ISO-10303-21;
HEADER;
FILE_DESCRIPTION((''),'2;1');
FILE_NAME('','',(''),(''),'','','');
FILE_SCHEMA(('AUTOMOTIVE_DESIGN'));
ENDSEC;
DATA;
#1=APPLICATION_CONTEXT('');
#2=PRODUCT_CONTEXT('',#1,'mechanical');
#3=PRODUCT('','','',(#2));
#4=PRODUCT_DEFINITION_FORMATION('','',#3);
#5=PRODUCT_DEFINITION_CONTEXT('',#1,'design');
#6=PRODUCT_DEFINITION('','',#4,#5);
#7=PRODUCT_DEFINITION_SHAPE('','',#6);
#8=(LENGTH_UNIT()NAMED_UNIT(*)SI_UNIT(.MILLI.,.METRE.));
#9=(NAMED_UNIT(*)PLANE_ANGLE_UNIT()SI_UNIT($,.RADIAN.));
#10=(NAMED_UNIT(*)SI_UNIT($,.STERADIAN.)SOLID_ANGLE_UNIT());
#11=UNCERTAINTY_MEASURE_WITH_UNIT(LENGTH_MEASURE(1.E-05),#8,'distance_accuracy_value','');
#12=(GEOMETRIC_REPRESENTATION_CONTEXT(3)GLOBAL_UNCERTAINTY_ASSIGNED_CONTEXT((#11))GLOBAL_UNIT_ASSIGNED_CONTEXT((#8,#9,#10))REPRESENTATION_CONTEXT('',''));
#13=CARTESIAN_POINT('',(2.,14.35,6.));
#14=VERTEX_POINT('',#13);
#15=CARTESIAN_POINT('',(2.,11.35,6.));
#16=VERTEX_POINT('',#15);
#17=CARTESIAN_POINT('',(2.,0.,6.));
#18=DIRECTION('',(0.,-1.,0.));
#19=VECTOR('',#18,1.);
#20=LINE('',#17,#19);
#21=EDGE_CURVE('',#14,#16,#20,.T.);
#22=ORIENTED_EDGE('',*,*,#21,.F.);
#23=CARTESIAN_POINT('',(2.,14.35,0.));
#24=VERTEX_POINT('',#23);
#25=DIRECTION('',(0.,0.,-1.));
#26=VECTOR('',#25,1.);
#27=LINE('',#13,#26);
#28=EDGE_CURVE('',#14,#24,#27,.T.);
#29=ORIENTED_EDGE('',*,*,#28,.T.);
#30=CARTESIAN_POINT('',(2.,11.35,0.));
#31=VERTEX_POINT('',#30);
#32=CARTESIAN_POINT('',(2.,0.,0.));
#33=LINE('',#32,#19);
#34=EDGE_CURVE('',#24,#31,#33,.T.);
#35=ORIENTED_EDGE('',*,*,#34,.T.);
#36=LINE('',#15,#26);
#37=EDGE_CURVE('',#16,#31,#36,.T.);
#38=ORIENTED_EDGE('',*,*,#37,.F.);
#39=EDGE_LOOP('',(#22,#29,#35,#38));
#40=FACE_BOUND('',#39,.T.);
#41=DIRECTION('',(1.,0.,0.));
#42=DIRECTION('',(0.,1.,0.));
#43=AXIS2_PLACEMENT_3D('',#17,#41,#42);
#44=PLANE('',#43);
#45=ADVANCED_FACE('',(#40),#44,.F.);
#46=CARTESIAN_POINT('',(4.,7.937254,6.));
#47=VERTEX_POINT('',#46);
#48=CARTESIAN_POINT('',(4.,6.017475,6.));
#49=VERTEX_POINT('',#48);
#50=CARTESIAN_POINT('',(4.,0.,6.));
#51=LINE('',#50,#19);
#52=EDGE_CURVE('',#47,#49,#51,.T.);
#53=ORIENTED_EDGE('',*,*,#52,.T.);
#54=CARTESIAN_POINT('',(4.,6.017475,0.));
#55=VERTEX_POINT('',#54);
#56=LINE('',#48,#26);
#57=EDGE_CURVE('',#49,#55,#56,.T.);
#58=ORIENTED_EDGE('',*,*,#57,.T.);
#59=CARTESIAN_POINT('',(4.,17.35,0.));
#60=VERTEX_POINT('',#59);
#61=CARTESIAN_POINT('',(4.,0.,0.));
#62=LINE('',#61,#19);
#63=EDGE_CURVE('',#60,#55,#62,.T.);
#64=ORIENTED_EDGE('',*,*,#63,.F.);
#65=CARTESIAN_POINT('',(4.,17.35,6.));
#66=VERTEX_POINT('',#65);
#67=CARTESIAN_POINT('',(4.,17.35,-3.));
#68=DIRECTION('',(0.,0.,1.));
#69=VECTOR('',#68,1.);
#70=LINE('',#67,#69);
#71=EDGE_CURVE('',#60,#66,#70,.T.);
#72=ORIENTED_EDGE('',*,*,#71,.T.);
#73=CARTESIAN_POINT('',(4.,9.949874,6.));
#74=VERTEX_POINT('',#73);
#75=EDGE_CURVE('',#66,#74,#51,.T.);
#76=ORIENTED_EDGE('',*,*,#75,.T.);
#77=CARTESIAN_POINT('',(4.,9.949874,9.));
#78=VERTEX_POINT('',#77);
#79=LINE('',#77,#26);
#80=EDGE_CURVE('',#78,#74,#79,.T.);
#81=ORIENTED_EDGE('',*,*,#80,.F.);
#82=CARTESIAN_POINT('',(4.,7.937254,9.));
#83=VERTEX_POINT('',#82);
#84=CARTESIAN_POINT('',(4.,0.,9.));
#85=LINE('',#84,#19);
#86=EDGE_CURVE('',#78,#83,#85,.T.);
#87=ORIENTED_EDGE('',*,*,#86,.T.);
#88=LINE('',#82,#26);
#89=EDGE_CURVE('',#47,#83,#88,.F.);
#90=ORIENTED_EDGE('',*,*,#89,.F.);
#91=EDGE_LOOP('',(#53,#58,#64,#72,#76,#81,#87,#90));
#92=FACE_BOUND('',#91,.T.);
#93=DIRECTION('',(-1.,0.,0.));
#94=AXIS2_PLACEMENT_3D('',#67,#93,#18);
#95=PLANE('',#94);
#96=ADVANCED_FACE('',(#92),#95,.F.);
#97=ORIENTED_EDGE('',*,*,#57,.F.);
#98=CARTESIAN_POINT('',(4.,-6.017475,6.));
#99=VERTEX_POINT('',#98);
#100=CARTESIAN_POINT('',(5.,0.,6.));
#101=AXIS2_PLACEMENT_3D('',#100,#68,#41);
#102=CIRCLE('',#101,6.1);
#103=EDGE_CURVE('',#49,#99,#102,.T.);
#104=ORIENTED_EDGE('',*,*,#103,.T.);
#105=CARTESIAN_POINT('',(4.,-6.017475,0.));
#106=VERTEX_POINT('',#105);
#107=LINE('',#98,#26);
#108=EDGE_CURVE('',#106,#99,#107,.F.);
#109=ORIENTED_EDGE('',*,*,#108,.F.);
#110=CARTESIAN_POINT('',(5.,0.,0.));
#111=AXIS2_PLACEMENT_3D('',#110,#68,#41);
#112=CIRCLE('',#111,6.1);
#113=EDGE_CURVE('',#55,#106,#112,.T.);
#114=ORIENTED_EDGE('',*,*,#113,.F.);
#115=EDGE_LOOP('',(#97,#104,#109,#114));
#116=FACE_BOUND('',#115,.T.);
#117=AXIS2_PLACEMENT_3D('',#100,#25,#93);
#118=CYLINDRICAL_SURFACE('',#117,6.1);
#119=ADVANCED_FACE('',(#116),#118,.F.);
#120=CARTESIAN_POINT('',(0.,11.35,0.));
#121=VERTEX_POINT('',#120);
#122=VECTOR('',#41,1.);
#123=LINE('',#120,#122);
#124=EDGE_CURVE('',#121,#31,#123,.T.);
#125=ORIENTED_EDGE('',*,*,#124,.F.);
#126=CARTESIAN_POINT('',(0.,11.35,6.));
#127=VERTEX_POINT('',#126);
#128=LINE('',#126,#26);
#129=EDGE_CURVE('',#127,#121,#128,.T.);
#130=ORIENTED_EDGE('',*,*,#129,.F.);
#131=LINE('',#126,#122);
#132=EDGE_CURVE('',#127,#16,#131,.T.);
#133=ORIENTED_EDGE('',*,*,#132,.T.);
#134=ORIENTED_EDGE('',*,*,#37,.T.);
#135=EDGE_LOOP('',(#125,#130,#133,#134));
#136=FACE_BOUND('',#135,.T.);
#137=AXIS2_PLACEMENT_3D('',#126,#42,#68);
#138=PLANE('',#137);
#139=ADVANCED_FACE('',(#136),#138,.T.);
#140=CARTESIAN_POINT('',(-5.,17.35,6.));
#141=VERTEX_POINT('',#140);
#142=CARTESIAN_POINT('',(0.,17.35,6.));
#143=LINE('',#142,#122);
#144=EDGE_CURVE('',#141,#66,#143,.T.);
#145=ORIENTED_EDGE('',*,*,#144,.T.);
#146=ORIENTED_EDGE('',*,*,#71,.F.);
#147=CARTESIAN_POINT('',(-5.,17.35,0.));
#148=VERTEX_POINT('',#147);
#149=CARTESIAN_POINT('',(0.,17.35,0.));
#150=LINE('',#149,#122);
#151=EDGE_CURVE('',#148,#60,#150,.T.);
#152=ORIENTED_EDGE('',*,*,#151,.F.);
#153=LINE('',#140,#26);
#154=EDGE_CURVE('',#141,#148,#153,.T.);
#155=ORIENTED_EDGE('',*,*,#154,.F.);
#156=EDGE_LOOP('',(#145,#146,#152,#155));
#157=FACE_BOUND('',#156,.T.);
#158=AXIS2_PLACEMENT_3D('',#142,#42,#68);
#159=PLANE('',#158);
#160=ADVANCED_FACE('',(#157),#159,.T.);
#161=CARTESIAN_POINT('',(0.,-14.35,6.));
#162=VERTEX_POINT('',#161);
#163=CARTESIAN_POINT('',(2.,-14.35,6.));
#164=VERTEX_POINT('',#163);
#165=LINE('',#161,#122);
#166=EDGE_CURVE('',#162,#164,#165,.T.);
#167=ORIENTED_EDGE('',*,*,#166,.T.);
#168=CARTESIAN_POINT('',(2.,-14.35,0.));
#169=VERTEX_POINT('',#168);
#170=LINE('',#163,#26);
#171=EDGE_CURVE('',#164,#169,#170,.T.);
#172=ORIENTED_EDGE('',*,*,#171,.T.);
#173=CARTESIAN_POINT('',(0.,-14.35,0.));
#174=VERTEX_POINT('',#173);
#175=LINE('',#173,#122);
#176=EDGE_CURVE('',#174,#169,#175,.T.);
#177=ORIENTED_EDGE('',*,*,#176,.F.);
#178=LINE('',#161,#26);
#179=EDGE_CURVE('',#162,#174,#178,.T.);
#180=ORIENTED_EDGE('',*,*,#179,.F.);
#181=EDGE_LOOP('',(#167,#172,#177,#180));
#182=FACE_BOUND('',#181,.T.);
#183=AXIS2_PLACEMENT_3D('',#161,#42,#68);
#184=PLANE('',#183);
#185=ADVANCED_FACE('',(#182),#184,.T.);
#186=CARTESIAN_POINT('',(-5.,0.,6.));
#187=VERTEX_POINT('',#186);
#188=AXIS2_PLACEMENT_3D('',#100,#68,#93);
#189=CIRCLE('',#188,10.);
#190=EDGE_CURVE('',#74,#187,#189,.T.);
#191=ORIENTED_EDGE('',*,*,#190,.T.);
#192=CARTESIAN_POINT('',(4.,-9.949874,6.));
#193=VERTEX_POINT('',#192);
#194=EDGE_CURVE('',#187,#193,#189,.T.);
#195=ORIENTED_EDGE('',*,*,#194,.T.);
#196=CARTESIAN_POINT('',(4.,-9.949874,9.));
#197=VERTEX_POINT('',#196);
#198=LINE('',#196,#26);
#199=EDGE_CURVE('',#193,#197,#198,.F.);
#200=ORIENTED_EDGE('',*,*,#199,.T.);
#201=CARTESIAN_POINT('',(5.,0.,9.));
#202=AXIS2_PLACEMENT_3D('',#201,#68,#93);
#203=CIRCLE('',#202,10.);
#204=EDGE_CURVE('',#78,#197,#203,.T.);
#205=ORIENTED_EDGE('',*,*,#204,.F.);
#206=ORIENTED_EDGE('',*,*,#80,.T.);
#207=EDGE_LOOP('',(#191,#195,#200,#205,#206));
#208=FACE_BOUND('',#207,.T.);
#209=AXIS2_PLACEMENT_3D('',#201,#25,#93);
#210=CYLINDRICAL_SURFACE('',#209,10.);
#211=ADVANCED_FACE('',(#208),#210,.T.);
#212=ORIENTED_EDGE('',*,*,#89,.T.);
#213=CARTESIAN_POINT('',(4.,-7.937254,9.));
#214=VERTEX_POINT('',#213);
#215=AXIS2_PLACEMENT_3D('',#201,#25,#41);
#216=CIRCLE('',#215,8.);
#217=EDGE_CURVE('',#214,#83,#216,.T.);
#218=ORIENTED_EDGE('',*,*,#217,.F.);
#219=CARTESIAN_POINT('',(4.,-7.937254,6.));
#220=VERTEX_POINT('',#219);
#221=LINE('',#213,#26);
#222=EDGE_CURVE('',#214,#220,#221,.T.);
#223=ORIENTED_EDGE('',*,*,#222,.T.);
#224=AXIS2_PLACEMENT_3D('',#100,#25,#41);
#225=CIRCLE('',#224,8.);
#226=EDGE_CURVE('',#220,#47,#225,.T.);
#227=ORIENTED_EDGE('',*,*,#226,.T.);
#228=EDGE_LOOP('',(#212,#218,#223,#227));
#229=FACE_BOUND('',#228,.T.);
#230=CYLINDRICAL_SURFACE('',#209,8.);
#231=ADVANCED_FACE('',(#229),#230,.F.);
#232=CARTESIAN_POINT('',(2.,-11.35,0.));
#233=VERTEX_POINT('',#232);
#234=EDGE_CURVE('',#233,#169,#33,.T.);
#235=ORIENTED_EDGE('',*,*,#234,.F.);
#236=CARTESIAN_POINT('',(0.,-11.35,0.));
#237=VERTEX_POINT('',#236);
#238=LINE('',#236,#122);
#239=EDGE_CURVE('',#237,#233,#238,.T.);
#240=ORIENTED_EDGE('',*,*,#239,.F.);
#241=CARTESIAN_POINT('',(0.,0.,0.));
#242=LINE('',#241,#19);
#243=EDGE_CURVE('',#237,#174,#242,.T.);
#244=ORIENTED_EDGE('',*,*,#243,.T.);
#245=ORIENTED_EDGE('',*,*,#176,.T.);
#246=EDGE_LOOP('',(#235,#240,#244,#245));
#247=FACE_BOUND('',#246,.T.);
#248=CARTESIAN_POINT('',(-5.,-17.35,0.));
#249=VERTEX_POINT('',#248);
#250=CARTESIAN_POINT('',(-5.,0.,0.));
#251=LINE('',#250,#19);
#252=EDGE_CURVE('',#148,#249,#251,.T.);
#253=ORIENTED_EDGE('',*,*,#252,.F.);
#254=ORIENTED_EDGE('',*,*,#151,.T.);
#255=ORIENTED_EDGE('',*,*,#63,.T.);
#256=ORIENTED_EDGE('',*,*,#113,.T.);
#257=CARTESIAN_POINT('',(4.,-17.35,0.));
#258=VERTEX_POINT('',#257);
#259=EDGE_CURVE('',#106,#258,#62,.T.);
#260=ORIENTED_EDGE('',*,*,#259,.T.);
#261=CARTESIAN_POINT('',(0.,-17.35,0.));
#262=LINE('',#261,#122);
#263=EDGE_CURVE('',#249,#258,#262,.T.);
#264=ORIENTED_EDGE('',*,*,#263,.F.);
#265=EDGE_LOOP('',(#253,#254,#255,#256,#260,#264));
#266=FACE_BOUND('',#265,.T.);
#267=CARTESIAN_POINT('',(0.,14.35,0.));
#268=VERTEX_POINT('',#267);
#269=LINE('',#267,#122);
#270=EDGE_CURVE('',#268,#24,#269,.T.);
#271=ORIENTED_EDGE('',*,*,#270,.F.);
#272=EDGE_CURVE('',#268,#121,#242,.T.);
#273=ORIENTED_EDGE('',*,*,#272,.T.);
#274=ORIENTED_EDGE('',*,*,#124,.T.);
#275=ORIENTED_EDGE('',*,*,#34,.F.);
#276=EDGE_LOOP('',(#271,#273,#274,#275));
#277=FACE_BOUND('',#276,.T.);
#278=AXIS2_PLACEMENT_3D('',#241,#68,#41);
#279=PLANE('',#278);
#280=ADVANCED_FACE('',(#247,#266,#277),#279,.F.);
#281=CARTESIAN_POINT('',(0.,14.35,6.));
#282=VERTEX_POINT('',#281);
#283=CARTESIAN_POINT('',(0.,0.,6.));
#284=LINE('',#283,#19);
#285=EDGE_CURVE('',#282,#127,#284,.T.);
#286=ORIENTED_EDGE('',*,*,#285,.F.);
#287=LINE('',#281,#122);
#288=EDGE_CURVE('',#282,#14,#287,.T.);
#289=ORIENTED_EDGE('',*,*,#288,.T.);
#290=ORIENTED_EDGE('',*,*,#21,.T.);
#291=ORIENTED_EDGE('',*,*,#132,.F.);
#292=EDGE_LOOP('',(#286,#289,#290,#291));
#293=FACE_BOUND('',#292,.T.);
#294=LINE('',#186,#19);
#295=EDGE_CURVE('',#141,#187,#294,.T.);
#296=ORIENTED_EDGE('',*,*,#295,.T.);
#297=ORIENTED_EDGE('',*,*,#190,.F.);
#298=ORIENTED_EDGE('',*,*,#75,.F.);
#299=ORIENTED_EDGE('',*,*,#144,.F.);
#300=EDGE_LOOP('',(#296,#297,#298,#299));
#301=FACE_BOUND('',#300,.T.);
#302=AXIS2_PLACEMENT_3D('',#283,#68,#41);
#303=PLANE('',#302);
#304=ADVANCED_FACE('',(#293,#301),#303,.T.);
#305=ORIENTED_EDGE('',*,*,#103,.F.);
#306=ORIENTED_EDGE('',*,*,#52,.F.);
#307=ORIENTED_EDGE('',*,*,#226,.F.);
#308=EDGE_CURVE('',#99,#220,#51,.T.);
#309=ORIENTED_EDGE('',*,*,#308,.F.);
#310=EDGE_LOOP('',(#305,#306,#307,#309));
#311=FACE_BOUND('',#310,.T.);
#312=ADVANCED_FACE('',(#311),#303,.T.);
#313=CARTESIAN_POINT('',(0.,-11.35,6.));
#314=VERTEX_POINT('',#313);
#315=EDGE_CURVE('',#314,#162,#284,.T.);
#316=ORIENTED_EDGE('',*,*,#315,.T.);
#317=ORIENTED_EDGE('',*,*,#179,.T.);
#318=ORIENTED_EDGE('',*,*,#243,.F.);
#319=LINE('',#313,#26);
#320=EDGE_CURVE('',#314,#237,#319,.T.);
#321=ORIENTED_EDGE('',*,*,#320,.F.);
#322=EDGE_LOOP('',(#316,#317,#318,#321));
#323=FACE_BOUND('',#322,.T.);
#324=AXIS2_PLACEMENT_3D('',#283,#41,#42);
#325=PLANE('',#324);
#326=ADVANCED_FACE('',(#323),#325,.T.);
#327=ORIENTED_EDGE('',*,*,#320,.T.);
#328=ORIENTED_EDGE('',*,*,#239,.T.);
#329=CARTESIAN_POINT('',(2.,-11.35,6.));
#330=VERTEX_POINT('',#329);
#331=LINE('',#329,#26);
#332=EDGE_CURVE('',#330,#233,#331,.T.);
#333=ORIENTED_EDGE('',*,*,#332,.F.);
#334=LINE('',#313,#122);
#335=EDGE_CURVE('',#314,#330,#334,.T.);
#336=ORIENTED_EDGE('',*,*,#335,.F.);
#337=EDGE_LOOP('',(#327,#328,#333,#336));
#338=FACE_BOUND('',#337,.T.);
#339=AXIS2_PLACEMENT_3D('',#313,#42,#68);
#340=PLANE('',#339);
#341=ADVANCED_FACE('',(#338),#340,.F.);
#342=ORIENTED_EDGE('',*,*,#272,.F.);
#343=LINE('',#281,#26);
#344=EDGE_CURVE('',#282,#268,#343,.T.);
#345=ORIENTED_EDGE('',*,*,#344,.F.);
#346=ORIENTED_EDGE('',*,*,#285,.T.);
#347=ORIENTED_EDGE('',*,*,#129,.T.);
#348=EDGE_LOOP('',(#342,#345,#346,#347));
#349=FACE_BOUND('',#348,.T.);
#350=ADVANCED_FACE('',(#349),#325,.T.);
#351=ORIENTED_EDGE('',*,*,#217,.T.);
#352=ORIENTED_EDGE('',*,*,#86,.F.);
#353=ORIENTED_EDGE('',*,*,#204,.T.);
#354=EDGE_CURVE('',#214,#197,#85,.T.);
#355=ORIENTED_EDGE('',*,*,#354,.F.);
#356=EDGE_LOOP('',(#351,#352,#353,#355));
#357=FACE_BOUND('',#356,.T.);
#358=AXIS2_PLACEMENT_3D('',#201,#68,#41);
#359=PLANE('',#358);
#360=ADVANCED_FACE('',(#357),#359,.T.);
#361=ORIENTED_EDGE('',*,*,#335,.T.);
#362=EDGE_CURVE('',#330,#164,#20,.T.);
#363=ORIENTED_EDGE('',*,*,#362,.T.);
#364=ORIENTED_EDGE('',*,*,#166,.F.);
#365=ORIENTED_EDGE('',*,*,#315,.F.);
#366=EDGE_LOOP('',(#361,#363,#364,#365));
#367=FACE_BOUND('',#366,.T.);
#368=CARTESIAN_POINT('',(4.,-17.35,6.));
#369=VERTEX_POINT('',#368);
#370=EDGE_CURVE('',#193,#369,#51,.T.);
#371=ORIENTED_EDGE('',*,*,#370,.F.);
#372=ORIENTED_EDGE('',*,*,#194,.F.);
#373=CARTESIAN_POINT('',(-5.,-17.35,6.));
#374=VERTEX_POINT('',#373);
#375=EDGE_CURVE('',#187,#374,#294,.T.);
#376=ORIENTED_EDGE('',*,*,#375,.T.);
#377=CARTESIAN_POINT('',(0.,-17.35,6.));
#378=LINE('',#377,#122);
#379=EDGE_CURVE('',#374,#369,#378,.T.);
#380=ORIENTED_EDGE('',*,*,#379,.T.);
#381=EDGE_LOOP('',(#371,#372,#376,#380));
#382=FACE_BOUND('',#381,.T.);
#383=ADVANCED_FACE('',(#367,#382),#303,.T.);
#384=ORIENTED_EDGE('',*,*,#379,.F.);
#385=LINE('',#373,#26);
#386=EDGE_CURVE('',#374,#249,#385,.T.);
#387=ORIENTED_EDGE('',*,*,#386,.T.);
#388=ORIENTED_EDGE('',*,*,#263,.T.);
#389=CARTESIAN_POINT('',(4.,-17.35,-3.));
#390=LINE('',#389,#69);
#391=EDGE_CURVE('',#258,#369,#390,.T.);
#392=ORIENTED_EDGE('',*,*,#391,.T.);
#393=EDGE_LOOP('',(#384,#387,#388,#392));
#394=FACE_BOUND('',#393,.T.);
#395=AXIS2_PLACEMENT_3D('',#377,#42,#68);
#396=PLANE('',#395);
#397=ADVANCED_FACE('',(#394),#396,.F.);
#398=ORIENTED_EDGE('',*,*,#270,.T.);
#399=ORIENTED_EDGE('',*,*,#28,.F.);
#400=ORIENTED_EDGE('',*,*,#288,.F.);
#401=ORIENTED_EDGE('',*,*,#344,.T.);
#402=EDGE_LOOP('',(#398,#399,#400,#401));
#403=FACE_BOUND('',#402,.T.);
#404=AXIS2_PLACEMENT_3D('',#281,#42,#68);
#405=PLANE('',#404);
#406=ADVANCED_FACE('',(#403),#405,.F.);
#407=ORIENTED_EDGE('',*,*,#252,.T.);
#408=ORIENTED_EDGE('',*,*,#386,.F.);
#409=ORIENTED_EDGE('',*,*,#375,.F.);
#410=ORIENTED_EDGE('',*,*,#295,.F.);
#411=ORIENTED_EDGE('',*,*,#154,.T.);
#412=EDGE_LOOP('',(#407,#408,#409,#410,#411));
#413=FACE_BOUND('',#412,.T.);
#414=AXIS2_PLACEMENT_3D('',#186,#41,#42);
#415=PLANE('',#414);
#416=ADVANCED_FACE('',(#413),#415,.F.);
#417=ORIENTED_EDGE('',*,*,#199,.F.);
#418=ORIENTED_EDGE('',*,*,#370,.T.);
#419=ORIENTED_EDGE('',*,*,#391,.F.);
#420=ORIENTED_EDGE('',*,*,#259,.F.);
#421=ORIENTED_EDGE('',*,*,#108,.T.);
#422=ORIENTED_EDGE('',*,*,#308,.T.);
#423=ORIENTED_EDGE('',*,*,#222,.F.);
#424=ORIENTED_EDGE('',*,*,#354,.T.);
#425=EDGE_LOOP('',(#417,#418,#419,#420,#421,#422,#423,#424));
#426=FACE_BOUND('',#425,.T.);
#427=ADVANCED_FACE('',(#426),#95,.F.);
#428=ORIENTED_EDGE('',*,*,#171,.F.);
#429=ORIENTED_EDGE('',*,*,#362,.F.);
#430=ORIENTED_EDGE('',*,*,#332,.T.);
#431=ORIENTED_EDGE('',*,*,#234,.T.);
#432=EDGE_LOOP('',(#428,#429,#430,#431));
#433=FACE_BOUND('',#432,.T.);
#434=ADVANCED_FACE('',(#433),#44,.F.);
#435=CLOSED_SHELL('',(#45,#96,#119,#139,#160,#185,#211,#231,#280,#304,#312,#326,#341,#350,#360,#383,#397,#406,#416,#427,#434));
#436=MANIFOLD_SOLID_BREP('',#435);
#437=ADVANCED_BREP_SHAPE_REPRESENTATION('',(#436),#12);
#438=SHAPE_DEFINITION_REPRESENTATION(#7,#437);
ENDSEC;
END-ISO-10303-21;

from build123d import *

# Parameters (mm, degrees)
SKETCH_1_W          = 2
SKETCH_1_H          = 3
EXTRUDE_1_DEPTH     = 6
EXTRUDE_2_DEPTH     = 3
SKETCH_3_W          = 1
SKETCH_3_H          = 34.7
CUT_EXTRUDE_1_DEPTH = 9


with BuildPart() as part:
    # 草圖1 → 填料-伸長1 (new body)
    with BuildSketch(Plane.XY):
        with BuildLine():
            Line((5, 17.35), (-5, 17.35))
            Line((-5, 17.35), (-5, -17.35))
            Line((-5, -17.35), (5, -17.35))
            Line((5, -17.35), (5, -6.1))
            ThreePointArc((5, -6.1), (-1.1, 0), (5, 6.1))
            Line((5, 6.1), (5, 17.35))
        make_face()
        with Locations((1, -12.85)):
            Rectangle(SKETCH_1_W, SKETCH_1_H, mode=Mode.SUBTRACT)
        with Locations((1, 12.85)):
            Rectangle(SKETCH_1_W, SKETCH_1_H, mode=Mode.SUBTRACT)
    extrude(amount=EXTRUDE_1_DEPTH)

    # 草圖2 → 填料-伸長2 (add)
    with BuildSketch(Plane.XY.offset(6)):
        with BuildLine():
            Line((5, 10), (5, 8))
            ThreePointArc((5, 8), (-3, 0), (5, -8))
            Line((5, -8), (5, -10))
            ThreePointArc((5, -10), (-5, 0), (5, 10))
        make_face()
    extrude(amount=EXTRUDE_2_DEPTH)

    # 草圖3 → 除料-伸長1 (cut, symmetric)
    with BuildSketch(Plane.XY.offset(6)):
        with Locations((4.5, 0)):
            Rectangle(SKETCH_3_W, SKETCH_3_H)
    extrude(amount=CUT_EXTRUDE_1_DEPTH, both=True, mode=Mode.SUBTRACT)


solid = part.part
